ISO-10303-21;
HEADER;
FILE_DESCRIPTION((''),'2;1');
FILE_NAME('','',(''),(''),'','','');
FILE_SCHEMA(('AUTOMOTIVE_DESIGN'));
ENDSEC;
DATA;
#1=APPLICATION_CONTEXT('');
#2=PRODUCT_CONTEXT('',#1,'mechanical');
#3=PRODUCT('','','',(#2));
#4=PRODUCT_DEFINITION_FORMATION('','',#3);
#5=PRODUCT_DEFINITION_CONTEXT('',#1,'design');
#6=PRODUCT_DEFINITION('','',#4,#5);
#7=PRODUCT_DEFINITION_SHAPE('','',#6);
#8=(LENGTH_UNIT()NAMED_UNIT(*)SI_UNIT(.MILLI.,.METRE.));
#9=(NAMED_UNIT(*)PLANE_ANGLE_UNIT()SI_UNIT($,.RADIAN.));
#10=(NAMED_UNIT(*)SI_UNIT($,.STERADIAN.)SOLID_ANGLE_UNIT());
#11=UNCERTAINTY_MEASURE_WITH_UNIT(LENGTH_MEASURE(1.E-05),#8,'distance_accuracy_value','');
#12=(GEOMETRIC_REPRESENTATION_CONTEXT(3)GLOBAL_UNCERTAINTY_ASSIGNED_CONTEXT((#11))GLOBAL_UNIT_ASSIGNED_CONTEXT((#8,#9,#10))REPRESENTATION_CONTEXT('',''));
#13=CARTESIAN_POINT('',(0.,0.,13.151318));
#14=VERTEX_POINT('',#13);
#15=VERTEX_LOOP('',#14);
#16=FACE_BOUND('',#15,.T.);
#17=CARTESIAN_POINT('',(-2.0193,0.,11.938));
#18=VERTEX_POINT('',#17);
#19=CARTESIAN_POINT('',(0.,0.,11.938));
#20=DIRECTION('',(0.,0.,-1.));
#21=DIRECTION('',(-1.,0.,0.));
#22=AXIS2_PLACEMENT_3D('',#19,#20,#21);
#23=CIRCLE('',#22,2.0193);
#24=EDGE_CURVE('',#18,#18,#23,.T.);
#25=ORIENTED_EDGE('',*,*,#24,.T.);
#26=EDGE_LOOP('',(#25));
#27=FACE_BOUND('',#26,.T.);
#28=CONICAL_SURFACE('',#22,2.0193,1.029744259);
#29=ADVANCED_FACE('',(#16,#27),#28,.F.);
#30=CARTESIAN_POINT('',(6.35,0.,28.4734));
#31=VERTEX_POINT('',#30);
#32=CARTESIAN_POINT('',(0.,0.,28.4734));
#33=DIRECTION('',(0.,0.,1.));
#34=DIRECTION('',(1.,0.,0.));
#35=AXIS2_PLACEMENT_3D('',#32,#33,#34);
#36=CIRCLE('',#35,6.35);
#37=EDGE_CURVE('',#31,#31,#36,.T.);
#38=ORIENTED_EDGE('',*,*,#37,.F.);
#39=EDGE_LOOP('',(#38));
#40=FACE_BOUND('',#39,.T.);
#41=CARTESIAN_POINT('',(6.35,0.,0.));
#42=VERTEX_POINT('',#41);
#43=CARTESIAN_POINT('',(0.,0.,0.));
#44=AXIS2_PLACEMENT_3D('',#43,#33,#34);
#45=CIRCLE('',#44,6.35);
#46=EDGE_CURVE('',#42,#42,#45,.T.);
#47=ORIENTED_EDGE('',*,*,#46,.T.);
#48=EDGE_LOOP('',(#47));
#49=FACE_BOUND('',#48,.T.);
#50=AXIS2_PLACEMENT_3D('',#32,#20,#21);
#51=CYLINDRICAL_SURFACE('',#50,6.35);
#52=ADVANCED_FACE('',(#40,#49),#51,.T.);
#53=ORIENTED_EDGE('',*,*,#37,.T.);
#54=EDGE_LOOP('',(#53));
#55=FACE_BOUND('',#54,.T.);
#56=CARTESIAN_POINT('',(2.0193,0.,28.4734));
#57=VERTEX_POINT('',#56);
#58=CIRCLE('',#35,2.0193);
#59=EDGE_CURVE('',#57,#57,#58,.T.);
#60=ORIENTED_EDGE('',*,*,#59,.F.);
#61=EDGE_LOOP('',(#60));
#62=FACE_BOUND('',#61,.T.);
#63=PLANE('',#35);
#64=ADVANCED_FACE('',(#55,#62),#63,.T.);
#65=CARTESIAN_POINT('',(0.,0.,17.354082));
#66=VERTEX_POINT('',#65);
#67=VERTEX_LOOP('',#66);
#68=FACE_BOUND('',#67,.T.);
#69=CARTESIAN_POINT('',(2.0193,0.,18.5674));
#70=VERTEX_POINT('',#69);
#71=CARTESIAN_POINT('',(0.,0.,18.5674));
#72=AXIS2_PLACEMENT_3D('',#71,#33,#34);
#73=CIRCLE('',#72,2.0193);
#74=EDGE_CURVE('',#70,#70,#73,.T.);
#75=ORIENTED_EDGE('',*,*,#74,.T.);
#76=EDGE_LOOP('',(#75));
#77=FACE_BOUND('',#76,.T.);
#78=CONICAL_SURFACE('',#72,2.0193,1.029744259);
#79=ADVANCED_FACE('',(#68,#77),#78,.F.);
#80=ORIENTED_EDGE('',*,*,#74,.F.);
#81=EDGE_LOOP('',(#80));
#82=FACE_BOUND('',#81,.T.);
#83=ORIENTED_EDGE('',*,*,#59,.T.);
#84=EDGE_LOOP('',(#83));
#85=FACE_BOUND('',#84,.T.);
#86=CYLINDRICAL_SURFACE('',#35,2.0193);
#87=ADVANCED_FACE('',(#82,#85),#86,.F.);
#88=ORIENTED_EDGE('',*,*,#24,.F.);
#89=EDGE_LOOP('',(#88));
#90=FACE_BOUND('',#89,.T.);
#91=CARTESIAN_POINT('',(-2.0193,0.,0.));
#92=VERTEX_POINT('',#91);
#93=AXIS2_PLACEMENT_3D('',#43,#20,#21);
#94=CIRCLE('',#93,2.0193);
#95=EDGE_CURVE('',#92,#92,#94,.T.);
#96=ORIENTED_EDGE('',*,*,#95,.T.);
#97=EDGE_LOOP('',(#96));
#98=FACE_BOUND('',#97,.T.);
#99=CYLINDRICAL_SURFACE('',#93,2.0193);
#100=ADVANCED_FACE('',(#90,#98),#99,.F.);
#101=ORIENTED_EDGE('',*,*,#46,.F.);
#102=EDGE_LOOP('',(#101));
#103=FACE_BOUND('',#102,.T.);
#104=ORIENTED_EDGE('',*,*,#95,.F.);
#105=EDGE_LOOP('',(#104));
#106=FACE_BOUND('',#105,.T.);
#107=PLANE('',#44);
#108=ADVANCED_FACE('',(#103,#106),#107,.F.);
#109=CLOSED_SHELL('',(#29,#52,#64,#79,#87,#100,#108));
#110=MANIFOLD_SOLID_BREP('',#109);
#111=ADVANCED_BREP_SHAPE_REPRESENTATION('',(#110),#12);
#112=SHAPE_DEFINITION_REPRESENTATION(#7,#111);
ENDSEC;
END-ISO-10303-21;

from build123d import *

# Parameters (mm, degrees)
SKETCH1_R                  = 6.35
BOSS_EXTRUDE1_DEPTH        = 28.4734
F_10_32_TAPPED_HOLE2_D     = 4.0386
F_10_32_TAPPED_HOLE2_DEPTH = 9.906
F_10_32_TAPPED_HOLE2_TIP   = 1.213317848
F_10_32_TAPPED_HOLE1_D     = 4.0386
F_10_32_TAPPED_HOLE1_DEPTH = 11.938
F_10_32_TAPPED_HOLE1_TIP   = 1.213317848


with BuildPart() as part:
    # Sketch1 → Boss-Extrude1 (new body)
    with BuildSketch(Plane.XY):
        Circle(SKETCH1_R)
    extrude(amount=BOSS_EXTRUDE1_DEPTH)

    # #10-32 Tapped Hole2
    with Locations(Plane.XY.offset(28.4734)):
        with Locations((0, 0)):
            Hole(F_10_32_TAPPED_HOLE2_D / 2, depth=F_10_32_TAPPED_HOLE2_DEPTH)
            with Locations((0, 0, -(F_10_32_TAPPED_HOLE2_DEPTH + F_10_32_TAPPED_HOLE2_TIP / 2))):  # 118° drill point
                Cone(0, F_10_32_TAPPED_HOLE2_D / 2, F_10_32_TAPPED_HOLE2_TIP, mode=Mode.SUBTRACT)

    # #10-32 Tapped Hole1
    with Locations(Plane(origin=(0, 0, 0), x_dir=(-1, 0, 0), z_dir=(0, 0, -1))):
        with Locations((0, 0)):
            Hole(F_10_32_TAPPED_HOLE1_D / 2, depth=F_10_32_TAPPED_HOLE1_DEPTH)
            with Locations((0, 0, -(F_10_32_TAPPED_HOLE1_DEPTH + F_10_32_TAPPED_HOLE1_TIP / 2))):  # 118° drill point
                Cone(0, F_10_32_TAPPED_HOLE1_D / 2, F_10_32_TAPPED_HOLE1_TIP, mode=Mode.SUBTRACT)


solid = part.part
